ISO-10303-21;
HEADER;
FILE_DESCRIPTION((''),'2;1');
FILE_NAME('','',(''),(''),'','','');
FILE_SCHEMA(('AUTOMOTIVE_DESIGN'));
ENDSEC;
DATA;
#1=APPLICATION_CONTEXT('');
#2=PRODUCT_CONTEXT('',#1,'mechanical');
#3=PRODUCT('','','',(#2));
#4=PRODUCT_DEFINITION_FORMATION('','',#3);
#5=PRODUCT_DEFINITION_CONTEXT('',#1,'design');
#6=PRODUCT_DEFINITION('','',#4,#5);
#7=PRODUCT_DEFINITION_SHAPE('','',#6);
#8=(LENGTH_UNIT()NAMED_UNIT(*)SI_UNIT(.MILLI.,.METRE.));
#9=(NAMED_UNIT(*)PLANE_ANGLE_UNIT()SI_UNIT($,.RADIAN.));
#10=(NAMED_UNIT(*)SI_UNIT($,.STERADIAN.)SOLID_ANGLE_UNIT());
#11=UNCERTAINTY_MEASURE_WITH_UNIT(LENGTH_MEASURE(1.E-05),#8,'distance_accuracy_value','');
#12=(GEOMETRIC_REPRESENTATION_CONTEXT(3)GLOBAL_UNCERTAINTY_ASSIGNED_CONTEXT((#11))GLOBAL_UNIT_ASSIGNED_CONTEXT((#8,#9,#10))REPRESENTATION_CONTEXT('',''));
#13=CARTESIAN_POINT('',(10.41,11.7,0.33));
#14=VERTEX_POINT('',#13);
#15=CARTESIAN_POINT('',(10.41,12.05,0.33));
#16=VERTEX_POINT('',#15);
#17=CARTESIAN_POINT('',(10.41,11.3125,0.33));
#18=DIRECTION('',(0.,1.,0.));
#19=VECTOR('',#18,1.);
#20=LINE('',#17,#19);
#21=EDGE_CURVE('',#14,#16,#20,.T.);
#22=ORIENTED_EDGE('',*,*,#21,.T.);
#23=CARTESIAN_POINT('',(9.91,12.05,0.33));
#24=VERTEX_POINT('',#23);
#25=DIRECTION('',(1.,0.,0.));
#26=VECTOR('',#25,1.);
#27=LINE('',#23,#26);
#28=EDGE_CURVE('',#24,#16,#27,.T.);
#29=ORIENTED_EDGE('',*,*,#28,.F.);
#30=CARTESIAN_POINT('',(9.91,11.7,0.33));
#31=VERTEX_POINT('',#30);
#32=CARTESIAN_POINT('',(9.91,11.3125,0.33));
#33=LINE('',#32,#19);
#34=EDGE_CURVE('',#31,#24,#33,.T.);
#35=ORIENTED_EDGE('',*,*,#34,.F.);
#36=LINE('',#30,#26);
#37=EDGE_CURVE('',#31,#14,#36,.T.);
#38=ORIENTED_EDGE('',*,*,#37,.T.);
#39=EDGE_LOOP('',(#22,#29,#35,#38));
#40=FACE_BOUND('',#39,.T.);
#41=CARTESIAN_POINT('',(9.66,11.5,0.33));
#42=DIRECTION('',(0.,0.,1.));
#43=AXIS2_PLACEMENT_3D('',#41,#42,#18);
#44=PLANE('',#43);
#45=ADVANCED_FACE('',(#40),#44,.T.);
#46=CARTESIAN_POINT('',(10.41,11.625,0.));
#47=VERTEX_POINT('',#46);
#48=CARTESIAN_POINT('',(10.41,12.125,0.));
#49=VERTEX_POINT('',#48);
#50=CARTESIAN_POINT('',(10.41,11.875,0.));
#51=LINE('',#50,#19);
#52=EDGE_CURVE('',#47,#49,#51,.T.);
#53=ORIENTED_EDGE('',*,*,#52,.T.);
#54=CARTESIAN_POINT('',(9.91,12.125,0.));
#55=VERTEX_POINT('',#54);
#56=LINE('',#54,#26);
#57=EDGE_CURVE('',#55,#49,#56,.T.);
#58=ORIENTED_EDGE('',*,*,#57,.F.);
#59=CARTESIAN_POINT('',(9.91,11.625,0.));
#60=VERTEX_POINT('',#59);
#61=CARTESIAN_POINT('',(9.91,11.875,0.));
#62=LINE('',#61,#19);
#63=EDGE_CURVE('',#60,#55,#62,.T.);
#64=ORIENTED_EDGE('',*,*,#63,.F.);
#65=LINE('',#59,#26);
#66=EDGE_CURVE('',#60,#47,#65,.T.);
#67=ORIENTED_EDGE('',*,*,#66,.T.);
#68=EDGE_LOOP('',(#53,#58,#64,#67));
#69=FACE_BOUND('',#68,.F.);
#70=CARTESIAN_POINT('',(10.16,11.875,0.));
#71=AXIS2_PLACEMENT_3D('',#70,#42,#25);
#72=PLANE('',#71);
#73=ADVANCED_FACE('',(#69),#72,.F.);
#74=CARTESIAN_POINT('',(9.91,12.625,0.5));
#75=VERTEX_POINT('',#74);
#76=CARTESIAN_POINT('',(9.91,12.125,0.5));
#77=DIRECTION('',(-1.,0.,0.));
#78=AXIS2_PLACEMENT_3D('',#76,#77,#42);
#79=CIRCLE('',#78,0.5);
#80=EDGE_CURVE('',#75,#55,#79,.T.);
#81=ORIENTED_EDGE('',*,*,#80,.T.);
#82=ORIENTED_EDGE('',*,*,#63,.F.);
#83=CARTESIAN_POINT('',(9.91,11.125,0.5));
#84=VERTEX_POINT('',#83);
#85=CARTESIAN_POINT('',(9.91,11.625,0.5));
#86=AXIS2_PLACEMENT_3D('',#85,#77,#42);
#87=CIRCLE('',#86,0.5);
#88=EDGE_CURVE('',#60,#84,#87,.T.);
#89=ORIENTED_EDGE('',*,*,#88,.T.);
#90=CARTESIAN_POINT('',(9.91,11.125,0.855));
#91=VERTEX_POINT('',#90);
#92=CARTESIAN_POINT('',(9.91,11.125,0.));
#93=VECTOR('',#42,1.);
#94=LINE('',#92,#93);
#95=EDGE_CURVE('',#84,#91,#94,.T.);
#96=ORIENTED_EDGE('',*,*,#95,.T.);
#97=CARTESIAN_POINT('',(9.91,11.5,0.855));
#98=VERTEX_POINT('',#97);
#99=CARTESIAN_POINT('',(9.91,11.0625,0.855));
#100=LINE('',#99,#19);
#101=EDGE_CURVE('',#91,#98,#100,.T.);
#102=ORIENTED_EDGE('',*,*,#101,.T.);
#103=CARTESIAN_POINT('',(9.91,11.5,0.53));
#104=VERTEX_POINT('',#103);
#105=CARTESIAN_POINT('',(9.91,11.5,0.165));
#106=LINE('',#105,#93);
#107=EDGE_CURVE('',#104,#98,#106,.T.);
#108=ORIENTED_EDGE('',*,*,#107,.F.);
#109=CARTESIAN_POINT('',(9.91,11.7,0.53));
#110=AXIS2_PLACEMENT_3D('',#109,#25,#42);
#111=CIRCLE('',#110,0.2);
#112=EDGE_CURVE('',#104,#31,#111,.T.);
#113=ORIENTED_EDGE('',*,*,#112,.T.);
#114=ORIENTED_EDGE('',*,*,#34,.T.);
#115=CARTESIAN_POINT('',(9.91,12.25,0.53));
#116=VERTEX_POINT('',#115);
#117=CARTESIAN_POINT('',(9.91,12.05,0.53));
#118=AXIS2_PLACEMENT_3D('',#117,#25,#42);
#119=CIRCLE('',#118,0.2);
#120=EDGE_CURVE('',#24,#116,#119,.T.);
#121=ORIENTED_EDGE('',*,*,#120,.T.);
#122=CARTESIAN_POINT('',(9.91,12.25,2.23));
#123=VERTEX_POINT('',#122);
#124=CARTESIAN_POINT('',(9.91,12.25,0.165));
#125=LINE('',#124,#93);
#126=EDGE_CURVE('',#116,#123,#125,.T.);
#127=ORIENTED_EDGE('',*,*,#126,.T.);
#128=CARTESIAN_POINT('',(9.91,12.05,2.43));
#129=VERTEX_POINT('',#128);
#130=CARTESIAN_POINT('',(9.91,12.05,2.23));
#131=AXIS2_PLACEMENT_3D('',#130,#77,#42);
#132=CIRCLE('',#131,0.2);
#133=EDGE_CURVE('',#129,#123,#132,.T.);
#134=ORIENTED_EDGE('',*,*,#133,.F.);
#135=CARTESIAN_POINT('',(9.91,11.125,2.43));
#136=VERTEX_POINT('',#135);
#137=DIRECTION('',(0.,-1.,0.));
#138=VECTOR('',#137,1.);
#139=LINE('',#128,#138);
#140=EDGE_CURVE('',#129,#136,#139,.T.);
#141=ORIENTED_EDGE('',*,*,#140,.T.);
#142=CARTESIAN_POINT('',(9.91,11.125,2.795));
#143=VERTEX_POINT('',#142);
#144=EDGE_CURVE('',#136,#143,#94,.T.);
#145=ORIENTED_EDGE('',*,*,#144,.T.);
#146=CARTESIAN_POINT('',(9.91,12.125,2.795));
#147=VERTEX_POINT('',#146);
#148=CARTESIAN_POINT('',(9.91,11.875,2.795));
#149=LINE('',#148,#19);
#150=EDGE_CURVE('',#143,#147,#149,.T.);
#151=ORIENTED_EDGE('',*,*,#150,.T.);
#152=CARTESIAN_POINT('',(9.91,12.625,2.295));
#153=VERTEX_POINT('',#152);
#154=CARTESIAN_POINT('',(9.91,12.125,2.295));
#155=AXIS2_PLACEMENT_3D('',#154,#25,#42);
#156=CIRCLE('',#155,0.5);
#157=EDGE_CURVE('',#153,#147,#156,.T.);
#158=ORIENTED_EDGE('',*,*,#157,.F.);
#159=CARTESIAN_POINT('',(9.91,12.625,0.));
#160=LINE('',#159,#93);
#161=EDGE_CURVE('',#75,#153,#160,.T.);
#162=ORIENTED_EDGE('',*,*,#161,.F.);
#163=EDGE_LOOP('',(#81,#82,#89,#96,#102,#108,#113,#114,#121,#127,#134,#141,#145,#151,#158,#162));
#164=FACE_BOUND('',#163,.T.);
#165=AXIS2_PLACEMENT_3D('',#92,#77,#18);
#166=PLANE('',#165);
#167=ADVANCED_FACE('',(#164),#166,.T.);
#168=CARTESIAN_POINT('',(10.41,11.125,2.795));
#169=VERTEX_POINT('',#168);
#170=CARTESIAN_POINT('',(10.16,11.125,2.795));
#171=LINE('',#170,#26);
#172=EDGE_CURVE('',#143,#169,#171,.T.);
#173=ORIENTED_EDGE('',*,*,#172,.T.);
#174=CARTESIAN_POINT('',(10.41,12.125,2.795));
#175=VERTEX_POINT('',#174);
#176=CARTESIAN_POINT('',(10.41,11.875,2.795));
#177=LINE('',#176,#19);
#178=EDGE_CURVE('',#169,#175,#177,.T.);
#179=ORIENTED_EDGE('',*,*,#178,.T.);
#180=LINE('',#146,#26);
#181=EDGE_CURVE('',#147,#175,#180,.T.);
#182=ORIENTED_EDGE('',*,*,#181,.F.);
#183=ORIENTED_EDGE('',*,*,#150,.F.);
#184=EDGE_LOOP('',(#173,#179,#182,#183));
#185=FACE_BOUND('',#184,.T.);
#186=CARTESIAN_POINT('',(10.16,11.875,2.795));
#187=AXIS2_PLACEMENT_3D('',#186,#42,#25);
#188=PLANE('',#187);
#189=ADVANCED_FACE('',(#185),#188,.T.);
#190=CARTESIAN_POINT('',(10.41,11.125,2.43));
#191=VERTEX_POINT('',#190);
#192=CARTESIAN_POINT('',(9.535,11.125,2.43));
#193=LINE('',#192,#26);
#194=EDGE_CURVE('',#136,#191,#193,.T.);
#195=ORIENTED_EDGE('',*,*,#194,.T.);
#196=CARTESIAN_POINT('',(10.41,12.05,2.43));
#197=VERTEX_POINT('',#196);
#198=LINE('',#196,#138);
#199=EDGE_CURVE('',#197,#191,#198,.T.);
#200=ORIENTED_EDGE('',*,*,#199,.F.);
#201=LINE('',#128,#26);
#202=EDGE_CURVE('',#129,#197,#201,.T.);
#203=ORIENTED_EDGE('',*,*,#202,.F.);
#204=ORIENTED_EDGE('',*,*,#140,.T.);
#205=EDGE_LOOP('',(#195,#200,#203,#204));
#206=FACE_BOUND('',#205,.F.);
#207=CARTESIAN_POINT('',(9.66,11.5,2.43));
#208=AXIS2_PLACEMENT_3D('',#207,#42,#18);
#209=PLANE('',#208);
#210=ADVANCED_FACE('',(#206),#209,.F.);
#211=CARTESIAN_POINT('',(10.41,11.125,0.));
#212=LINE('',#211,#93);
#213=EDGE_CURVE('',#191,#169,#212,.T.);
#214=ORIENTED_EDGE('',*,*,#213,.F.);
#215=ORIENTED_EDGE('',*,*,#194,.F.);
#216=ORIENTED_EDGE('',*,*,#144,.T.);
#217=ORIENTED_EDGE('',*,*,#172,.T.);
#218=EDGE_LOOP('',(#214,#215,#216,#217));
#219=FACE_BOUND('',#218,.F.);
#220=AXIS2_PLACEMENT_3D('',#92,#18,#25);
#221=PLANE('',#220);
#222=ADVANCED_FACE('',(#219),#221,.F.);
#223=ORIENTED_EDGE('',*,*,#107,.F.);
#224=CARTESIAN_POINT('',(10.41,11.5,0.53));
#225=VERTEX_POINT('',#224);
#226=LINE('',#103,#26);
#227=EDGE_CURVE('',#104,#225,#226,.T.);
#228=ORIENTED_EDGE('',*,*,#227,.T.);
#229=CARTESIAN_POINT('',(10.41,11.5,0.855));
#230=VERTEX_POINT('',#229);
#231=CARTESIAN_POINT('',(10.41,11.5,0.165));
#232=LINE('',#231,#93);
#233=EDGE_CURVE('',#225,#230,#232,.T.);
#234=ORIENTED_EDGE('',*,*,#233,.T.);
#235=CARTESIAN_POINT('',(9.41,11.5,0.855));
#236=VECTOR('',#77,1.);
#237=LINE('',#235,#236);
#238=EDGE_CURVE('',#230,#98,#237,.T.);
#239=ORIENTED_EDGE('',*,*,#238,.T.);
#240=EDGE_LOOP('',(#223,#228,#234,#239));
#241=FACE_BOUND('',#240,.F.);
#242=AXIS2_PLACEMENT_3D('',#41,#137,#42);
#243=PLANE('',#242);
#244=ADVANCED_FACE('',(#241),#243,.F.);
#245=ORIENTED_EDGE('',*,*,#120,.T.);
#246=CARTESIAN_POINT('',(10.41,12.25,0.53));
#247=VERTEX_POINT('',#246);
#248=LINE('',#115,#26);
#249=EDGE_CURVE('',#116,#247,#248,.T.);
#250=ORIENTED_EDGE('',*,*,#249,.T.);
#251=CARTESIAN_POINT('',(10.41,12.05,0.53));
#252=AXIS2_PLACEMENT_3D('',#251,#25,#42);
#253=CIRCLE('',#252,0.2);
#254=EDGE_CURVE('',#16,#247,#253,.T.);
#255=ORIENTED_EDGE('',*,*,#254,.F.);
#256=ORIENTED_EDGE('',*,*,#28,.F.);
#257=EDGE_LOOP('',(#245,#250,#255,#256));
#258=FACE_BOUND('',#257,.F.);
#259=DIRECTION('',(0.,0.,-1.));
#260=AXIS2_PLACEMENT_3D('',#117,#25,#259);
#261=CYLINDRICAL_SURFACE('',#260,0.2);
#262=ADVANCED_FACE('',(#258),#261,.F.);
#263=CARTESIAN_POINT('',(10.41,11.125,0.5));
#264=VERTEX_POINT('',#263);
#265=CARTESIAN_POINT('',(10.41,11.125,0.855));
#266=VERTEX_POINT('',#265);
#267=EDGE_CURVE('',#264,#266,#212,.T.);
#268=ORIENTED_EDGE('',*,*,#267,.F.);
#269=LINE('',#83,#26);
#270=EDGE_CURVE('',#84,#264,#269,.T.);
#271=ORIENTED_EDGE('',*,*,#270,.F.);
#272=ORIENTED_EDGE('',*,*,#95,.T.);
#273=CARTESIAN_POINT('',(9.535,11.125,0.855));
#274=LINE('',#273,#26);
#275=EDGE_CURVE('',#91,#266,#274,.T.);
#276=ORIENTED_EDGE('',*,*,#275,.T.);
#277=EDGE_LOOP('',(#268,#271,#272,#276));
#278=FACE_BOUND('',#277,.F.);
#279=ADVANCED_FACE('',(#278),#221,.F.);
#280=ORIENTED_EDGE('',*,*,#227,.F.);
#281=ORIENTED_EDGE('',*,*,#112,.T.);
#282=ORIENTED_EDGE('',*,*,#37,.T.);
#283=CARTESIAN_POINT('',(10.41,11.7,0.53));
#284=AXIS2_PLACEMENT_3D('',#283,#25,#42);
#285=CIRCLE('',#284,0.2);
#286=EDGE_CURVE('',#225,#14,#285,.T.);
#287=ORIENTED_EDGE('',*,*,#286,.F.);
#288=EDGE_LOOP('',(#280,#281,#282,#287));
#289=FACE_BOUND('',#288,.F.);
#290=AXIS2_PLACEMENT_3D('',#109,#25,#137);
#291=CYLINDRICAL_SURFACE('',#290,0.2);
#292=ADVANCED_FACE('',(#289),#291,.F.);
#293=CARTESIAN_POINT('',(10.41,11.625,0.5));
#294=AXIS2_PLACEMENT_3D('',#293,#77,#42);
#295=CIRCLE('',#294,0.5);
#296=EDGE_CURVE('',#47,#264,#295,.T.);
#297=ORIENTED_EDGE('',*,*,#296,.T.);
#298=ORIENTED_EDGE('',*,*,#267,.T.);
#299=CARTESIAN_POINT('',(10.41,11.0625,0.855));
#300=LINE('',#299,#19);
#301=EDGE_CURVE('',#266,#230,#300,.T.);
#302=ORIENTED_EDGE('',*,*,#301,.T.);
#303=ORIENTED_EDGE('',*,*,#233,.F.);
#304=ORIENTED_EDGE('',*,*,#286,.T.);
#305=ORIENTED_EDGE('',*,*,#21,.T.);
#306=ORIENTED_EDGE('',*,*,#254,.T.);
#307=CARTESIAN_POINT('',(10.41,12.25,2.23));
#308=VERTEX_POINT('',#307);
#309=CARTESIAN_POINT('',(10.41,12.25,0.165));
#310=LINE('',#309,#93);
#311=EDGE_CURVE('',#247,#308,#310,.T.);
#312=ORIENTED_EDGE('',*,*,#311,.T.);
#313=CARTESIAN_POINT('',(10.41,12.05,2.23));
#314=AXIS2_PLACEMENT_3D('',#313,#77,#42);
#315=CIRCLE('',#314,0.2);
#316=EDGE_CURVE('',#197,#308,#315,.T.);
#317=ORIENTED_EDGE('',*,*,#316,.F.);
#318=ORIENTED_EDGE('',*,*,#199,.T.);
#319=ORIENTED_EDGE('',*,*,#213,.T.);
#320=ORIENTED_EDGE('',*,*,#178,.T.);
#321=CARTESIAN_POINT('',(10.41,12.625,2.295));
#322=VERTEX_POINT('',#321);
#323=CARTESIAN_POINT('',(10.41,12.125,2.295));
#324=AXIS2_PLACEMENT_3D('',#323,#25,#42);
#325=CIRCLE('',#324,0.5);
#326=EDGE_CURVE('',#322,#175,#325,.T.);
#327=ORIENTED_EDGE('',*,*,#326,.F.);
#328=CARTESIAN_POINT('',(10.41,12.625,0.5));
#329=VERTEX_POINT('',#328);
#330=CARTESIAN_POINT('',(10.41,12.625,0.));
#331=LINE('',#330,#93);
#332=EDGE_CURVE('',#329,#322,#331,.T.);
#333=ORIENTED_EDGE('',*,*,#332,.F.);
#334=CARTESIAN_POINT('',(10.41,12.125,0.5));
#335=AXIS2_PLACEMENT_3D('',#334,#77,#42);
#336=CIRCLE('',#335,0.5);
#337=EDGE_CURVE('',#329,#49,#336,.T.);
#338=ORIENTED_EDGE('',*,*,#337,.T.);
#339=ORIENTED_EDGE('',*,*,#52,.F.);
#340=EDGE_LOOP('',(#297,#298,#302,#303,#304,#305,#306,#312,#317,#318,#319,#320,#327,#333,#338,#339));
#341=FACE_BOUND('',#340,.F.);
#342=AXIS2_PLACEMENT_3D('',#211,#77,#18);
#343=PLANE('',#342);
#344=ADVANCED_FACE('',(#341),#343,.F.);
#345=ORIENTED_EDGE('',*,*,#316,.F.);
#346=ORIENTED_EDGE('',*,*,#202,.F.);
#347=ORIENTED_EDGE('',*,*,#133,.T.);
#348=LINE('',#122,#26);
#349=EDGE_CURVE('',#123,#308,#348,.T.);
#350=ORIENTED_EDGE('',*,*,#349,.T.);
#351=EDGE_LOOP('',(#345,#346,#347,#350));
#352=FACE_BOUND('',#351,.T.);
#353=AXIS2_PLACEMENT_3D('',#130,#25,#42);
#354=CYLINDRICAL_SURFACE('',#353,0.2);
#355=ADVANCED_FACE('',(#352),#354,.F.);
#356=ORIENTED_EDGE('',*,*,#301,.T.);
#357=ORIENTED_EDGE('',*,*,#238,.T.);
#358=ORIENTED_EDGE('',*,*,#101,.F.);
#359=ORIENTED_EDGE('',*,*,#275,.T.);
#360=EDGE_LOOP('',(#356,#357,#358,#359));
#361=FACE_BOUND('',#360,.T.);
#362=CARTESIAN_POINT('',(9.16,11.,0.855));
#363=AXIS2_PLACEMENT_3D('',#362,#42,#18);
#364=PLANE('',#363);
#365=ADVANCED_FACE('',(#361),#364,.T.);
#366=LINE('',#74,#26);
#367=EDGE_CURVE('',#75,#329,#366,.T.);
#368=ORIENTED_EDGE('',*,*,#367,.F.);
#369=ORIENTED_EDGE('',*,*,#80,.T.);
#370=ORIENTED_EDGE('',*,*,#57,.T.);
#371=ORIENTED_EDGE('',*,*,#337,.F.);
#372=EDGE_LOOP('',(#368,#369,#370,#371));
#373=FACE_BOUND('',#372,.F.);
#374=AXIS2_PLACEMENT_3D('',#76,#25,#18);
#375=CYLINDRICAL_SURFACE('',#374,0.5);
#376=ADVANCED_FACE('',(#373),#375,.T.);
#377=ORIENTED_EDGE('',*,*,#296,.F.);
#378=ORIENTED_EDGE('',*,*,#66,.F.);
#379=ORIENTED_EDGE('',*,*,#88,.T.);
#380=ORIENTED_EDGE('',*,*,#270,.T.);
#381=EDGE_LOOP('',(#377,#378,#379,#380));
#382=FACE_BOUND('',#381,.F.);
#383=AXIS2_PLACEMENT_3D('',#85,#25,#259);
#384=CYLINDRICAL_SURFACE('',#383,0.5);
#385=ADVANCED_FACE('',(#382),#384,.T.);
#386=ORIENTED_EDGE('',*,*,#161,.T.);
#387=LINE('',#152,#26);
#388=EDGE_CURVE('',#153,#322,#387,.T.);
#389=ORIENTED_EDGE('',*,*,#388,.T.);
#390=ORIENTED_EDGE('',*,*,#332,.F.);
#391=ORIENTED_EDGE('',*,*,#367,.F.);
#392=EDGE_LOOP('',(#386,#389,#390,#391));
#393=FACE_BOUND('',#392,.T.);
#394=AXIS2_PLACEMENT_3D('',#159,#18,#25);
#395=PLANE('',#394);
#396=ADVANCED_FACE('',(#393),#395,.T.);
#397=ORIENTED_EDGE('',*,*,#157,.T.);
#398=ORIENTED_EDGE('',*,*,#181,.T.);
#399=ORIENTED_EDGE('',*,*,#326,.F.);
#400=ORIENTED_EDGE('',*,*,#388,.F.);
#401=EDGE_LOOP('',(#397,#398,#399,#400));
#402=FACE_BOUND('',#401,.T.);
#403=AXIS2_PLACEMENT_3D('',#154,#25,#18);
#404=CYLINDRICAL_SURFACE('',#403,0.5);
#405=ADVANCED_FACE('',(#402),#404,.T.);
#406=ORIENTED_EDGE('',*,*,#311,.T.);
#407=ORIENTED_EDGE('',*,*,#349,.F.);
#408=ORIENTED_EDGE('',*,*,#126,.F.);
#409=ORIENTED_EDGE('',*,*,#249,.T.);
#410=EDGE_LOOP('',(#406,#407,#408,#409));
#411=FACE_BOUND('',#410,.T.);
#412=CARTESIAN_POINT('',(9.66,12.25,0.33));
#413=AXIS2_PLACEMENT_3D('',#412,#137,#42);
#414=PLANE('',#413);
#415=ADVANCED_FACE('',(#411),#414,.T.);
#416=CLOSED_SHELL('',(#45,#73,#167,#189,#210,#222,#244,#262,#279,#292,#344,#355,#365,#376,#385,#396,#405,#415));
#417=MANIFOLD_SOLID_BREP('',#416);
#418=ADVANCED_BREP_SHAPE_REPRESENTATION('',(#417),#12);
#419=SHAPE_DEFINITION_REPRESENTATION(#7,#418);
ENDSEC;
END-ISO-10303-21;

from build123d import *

# Parameters (mm, degrees)
BOX051_W     = 0.5
BOX051_H     = 1.5
BOX051_DEPTH = 2.795
FILLET114_R  = 0.5
FILLET112_R  = 0.5
FILLET118_R  = 0.5
BOX049_W     = 0.75
BOX049_H     = 2.1
BOX049_DEPTH = 1
FILLET117_R  = 0.2
FILLET113_R  = 0.2
FILLET115_R  = 0.2
FILLET116_R  = 0.2
BOX050_W     = 1
BOX050_H     = 1.575
BOX050_DEPTH = 3


with BuildPart() as part:
    # Box051 → Box051 (join)
    with BuildSketch(Plane(origin=(-0.25, 11.125, 0), x_dir=(1, 0, 0), z_dir=(0, 0, 1))):
        with Locations((0.25, 0.75)):
            Rectangle(BOX051_W, BOX051_H)
    extrude(amount=BOX051_DEPTH)

    # Fillet114
    fillet114_edges = [part.edges().sort_by_distance(p)[0] for p in [
        (0, 12.625, 0),
    ]]
    fillet(fillet114_edges, radius=FILLET114_R)

    # Fillet112
    fillet112_edges = [part.edges().sort_by_distance(p)[0] for p in [
        (0, 12.625, 2.795),
    ]]
    fillet(fillet112_edges, radius=FILLET112_R)

    # Fillet118
    fillet118_edges = [part.edges().sort_by_distance(p)[0] for p in [
        (0, 11.125, 0),
    ]]
    fillet(fillet118_edges, radius=FILLET118_R)

    # Box049 → Box049 (cut)
    with BuildSketch(Plane(origin=(-0.5, 11.5, 0.33), x_dir=(0, 1, 0), z_dir=(1, 0, 0))):
        with Locations((0.375, 1.05)):
            Rectangle(BOX049_W, BOX049_H)
    extrude(amount=BOX049_DEPTH, mode=Mode.SUBTRACT)

    # Fillet117
    fillet117_edges = [part.edges().sort_by_distance(p)[0] for p in [
        (0, 11.5, 0.33),
    ]]
    fillet(fillet117_edges, radius=FILLET117_R)

    # Fillet113
    fillet113_edges = [part.edges().sort_by_distance(p)[0] for p in [
        (0, 12.25, 0.33),
    ]]
    fillet(fillet113_edges, radius=FILLET113_R)

    # Fillet115
    fillet115_edges = [part.edges().sort_by_distance(p)[0] for p in [
        (0, 11.5, 2.43),
    ]]
    fillet(fillet115_edges, radius=FILLET115_R)

    # Fillet116
    fillet116_edges = [part.edges().sort_by_distance(p)[0] for p in [
        (0, 12.25, 2.43),
    ]]
    fillet(fillet116_edges, radius=FILLET116_R)

    # Box050 → Box050 (cut)
    with BuildSketch(Plane(origin=(-1, 11, 0.855), x_dir=(0, 1, 0), z_dir=(1, 0, 0))):
        with Locations((0.5, 0.7875)):
            Rectangle(BOX050_W, BOX050_H)
    extrude(amount=BOX050_DEPTH, mode=Mode.SUBTRACT)


with BuildPart() as part_1:
    # Body017 placement: moved
    add(part.part.moved(Location((10.16, 0, 0))))


solid = part_1.part
